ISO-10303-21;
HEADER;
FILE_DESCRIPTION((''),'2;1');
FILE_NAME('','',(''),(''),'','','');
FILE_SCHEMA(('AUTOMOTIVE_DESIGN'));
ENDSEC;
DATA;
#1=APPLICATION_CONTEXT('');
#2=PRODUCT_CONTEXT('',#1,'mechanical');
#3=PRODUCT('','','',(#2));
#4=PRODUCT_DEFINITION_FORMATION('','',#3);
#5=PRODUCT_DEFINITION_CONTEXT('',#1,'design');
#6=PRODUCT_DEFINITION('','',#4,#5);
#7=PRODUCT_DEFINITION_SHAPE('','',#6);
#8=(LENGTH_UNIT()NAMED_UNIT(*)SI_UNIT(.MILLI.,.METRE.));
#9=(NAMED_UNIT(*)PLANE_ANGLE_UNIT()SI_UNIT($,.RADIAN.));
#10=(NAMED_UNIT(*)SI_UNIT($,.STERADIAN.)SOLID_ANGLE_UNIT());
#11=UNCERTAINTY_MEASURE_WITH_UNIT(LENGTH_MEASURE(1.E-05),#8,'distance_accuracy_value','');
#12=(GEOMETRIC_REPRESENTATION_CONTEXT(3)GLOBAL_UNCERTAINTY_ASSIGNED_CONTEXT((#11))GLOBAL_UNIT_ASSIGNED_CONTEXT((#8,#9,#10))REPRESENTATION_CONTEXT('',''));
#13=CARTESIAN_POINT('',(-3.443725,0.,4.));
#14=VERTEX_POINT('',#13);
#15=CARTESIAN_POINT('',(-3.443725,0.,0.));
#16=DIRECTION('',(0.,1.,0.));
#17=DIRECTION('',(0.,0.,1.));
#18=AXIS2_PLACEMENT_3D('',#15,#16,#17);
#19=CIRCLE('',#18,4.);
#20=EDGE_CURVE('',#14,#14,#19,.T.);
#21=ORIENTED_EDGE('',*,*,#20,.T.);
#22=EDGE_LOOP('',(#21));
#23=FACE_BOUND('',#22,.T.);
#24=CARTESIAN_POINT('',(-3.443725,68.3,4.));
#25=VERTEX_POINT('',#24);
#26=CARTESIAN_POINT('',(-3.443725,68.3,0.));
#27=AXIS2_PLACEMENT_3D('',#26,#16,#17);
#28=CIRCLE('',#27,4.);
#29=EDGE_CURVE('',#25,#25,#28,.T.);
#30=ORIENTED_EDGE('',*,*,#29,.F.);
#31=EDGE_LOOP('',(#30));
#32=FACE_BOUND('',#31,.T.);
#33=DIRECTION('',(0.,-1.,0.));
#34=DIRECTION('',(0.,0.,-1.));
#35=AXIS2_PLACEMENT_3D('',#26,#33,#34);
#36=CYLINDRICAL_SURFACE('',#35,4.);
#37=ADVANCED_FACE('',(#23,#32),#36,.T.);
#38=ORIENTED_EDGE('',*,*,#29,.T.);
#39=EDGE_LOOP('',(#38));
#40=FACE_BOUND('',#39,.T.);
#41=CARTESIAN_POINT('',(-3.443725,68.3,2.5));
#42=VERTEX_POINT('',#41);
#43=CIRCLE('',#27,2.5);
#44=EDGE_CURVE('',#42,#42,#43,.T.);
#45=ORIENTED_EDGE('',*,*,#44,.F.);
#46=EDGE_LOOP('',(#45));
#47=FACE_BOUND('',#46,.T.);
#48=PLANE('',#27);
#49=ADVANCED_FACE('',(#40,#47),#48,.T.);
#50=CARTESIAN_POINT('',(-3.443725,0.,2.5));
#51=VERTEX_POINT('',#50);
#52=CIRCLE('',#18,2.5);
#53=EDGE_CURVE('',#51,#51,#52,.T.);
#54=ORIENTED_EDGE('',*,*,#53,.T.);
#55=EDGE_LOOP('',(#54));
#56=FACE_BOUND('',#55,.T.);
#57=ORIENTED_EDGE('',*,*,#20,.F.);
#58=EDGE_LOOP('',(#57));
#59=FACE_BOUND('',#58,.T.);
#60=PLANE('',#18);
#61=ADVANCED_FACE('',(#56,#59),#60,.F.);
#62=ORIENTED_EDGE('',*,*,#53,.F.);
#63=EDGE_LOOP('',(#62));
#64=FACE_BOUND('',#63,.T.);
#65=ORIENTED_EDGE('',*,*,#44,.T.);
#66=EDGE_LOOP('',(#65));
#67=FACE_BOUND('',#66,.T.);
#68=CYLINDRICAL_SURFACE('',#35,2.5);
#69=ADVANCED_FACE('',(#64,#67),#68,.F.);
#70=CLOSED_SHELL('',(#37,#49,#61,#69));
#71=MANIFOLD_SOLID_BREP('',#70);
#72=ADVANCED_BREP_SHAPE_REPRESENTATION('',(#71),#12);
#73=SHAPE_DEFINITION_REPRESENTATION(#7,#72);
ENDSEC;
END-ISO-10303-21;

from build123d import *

# Parameters (mm, degrees)
SZKIC1_R                    = 4
SZKIC1_R_2                  = 2.5
DODANIE_WYCI_GNI_CIE1_DEPTH = 68.3


with BuildPart() as part:
    # Szkic1 → Dodanie-wyciągnięcie1 (new body)
    with BuildSketch(Plane(origin=(0, 0, 0), x_dir=(1, 0, 0), z_dir=(0, 1, 0))):
        with Locations(Location((-3.443725343, 0, 0), (0, 0, 270))):
            Circle(SZKIC1_R)
        with Locations(Location((-3.443725343, 0, 0), (0, 0, 270))):
            Circle(SZKIC1_R_2, mode=Mode.SUBTRACT)
    extrude(amount=DODANIE_WYCI_GNI_CIE1_DEPTH)


solid = part.part
